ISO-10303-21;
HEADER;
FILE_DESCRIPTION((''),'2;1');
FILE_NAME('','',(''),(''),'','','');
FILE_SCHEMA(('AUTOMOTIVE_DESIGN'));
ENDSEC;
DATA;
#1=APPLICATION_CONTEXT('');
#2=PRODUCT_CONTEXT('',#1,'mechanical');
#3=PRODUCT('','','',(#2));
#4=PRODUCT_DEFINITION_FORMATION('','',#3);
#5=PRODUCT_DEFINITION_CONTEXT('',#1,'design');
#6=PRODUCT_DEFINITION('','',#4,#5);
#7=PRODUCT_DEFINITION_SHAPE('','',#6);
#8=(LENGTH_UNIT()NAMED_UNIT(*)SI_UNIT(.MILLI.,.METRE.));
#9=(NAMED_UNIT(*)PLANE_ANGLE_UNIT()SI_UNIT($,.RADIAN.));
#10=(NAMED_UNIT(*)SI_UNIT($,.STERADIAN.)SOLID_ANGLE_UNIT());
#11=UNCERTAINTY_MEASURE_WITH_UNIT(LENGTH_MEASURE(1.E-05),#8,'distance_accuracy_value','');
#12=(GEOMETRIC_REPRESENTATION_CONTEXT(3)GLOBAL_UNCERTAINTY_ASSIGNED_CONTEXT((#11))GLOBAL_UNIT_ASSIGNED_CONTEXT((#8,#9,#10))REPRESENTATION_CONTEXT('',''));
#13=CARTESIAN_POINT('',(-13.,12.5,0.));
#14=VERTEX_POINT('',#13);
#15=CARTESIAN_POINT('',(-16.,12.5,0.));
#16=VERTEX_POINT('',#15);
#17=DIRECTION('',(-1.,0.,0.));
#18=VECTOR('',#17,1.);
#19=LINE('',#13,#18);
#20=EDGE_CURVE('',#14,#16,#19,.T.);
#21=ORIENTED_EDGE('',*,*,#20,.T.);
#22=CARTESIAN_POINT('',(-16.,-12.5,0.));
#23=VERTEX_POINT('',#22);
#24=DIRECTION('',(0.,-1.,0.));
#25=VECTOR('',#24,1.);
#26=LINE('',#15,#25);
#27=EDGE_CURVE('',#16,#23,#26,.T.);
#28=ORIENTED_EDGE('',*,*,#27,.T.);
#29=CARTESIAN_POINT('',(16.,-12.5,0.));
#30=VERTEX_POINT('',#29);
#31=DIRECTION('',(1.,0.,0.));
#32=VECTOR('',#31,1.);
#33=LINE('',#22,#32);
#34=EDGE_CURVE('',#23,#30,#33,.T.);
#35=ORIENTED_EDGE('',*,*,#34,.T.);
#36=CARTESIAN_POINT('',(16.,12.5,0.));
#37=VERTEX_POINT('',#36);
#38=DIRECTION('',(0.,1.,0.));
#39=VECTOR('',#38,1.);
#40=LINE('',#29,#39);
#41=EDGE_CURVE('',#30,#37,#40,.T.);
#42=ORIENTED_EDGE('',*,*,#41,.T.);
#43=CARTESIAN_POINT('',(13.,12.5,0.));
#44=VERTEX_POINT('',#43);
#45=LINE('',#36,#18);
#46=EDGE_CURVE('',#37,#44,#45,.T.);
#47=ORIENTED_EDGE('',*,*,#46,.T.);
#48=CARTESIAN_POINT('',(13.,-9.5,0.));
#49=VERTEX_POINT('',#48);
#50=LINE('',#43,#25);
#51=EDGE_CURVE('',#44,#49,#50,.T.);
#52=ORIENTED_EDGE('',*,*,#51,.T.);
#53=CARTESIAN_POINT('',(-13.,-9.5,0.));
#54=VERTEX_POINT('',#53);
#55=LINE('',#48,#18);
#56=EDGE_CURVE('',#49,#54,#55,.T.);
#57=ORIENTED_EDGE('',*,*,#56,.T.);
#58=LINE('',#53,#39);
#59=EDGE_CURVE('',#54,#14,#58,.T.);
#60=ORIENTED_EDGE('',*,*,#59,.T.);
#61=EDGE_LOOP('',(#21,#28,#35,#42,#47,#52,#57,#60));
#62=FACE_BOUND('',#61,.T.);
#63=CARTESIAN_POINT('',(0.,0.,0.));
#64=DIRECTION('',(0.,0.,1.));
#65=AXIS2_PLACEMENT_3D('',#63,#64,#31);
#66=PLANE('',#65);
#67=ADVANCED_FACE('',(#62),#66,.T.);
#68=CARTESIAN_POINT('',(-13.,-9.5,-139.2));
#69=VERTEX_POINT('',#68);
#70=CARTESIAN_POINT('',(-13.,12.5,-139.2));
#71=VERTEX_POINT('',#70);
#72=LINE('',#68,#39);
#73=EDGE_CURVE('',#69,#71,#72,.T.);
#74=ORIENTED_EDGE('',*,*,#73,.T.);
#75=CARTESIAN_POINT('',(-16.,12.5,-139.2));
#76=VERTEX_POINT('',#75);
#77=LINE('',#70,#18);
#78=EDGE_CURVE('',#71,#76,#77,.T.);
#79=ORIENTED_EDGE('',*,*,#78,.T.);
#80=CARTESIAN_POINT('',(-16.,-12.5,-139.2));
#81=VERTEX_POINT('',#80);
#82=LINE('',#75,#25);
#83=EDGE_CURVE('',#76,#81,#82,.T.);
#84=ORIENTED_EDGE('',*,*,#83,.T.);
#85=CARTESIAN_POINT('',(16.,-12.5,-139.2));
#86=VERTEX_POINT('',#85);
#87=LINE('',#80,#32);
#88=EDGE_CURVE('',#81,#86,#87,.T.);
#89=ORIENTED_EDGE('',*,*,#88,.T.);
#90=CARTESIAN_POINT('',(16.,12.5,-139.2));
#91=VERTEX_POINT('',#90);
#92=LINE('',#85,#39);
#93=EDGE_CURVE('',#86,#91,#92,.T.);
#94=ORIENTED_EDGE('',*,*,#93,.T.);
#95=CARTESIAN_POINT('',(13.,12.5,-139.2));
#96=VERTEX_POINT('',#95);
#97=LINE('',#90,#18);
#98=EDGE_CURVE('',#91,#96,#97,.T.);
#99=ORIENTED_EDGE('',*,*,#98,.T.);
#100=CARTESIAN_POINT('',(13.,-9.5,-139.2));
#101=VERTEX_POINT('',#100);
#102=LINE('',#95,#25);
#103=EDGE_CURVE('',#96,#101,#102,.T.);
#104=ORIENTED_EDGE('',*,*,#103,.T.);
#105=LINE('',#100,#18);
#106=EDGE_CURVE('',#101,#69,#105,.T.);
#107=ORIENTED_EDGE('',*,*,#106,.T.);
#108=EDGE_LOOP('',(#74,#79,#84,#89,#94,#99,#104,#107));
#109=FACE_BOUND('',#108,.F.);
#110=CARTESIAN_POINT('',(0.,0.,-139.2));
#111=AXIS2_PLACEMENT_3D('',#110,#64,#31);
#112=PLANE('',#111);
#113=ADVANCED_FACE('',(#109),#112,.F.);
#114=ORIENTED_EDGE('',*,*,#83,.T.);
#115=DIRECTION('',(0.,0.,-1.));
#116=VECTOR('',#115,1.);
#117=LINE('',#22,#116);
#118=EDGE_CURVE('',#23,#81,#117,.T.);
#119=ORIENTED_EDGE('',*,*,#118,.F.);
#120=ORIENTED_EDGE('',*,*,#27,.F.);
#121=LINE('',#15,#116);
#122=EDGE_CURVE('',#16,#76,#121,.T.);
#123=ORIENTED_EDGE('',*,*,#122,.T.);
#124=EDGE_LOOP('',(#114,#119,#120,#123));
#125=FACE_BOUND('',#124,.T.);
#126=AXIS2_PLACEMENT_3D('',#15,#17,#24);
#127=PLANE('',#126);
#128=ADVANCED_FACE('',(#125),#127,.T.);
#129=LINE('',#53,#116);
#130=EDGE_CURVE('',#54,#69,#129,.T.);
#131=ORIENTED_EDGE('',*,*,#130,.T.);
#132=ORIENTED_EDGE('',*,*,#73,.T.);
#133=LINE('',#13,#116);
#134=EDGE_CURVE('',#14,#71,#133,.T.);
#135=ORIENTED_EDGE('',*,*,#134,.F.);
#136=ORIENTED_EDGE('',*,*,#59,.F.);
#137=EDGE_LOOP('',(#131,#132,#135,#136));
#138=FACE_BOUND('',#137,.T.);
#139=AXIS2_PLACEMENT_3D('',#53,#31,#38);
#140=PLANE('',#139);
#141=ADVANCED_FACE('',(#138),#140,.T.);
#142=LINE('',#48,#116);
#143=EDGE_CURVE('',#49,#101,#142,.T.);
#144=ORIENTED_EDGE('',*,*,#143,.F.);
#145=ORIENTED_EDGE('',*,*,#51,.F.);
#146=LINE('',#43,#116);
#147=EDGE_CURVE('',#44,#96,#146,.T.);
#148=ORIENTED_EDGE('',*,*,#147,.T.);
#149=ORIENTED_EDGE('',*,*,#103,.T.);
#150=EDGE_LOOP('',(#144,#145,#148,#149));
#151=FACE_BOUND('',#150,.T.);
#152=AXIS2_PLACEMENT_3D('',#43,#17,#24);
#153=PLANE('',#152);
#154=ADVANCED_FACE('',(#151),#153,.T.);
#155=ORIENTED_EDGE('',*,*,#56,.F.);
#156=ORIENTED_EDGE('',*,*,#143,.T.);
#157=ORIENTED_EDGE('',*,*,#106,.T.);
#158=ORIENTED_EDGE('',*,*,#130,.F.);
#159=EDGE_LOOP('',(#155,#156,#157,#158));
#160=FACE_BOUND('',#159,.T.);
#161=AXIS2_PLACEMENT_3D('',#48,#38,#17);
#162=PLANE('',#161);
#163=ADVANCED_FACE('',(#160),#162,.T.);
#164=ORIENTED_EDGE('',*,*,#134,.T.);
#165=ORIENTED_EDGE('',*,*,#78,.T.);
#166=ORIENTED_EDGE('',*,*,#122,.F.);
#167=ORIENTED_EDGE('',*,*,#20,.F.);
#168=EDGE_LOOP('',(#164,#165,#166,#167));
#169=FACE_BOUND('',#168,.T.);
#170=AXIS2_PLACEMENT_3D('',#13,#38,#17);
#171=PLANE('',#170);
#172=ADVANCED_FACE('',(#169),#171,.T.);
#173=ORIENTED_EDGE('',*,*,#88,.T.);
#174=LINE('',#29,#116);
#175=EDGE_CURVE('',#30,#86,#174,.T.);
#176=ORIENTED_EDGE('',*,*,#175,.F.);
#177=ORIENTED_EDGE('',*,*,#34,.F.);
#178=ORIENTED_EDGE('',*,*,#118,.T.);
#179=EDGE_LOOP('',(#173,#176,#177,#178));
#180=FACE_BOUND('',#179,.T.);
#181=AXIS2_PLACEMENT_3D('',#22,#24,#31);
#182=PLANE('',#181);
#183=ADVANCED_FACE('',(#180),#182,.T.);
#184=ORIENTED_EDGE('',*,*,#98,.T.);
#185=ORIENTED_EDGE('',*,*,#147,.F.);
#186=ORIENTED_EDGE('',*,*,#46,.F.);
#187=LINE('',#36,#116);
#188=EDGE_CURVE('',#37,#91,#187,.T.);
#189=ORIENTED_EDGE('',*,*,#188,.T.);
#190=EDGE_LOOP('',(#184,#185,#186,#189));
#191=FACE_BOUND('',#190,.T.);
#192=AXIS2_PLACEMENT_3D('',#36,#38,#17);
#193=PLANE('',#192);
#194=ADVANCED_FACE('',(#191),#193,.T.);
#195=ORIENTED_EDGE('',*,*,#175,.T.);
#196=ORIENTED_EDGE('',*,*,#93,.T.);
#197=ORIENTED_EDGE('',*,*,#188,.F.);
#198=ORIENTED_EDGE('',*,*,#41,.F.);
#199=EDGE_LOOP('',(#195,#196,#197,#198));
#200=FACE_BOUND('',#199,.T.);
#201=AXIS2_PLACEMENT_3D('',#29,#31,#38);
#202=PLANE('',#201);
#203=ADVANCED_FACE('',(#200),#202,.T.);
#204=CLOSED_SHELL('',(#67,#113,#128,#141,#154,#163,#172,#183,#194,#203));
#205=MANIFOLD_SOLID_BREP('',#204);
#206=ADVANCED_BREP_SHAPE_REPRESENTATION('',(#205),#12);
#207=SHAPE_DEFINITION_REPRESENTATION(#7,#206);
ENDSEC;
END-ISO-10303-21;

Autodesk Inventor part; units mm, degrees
ref_plane "YZ Plane" through (0, 0, 0) normal (1, 0, 0) x (0, 1, 0)
ref_plane "XZ Plane" through (0, 0, 0) normal (0, 1, 0) x (-1, 0, 0)
ref_plane "XY Plane" through (0, 0, 0) normal (0, 0, 1) x (1, 0, 0)
sketch "Sketch1" plane through (0, 0, 0) normal (0, 0, 1) x (1, 0, 0)
  line L0 (-16, -12.5) -> (16, -12.5)
  line L1 (16, -12.5) -> (16, 12.5)
  line L2 (16, 12.5) -> (13, 12.5)
  line L3 (13, 12.5) -> (13, -9.5)
  line L4 (13, -9.5) -> (-13, -9.5)
  line L5 (-13, -9.5) -> (-13, 12.5)
  line L6 (-13, 12.5) -> (-16, 12.5)
  line L7 (-16, 12.5) -> (-16, -12.5)
  point P0 (0, 0)
  dimension "d0" = 32
  dimension "d1" = 25
  dimension "d2" = 3
  dimension "d3" = 90
  dimension "d4" = 22
  dimension "d5" = 26
  dimension "d6" = 22
  dimension "d7" = 3
  dimension "d8" = 25
  dimension "d10" = 12.5
  dimension "d11" = 16
extrude "Extrusion1" add sketch "Sketch1" against normal blind 139.2
equation "\"d5\" = d0 - 2 * d7"
equation "\"d10\" = 0.5 * d1"
equation "\"d11\" = 0.5 * d0"
properties part number "8in C-Channel - Vertical"
